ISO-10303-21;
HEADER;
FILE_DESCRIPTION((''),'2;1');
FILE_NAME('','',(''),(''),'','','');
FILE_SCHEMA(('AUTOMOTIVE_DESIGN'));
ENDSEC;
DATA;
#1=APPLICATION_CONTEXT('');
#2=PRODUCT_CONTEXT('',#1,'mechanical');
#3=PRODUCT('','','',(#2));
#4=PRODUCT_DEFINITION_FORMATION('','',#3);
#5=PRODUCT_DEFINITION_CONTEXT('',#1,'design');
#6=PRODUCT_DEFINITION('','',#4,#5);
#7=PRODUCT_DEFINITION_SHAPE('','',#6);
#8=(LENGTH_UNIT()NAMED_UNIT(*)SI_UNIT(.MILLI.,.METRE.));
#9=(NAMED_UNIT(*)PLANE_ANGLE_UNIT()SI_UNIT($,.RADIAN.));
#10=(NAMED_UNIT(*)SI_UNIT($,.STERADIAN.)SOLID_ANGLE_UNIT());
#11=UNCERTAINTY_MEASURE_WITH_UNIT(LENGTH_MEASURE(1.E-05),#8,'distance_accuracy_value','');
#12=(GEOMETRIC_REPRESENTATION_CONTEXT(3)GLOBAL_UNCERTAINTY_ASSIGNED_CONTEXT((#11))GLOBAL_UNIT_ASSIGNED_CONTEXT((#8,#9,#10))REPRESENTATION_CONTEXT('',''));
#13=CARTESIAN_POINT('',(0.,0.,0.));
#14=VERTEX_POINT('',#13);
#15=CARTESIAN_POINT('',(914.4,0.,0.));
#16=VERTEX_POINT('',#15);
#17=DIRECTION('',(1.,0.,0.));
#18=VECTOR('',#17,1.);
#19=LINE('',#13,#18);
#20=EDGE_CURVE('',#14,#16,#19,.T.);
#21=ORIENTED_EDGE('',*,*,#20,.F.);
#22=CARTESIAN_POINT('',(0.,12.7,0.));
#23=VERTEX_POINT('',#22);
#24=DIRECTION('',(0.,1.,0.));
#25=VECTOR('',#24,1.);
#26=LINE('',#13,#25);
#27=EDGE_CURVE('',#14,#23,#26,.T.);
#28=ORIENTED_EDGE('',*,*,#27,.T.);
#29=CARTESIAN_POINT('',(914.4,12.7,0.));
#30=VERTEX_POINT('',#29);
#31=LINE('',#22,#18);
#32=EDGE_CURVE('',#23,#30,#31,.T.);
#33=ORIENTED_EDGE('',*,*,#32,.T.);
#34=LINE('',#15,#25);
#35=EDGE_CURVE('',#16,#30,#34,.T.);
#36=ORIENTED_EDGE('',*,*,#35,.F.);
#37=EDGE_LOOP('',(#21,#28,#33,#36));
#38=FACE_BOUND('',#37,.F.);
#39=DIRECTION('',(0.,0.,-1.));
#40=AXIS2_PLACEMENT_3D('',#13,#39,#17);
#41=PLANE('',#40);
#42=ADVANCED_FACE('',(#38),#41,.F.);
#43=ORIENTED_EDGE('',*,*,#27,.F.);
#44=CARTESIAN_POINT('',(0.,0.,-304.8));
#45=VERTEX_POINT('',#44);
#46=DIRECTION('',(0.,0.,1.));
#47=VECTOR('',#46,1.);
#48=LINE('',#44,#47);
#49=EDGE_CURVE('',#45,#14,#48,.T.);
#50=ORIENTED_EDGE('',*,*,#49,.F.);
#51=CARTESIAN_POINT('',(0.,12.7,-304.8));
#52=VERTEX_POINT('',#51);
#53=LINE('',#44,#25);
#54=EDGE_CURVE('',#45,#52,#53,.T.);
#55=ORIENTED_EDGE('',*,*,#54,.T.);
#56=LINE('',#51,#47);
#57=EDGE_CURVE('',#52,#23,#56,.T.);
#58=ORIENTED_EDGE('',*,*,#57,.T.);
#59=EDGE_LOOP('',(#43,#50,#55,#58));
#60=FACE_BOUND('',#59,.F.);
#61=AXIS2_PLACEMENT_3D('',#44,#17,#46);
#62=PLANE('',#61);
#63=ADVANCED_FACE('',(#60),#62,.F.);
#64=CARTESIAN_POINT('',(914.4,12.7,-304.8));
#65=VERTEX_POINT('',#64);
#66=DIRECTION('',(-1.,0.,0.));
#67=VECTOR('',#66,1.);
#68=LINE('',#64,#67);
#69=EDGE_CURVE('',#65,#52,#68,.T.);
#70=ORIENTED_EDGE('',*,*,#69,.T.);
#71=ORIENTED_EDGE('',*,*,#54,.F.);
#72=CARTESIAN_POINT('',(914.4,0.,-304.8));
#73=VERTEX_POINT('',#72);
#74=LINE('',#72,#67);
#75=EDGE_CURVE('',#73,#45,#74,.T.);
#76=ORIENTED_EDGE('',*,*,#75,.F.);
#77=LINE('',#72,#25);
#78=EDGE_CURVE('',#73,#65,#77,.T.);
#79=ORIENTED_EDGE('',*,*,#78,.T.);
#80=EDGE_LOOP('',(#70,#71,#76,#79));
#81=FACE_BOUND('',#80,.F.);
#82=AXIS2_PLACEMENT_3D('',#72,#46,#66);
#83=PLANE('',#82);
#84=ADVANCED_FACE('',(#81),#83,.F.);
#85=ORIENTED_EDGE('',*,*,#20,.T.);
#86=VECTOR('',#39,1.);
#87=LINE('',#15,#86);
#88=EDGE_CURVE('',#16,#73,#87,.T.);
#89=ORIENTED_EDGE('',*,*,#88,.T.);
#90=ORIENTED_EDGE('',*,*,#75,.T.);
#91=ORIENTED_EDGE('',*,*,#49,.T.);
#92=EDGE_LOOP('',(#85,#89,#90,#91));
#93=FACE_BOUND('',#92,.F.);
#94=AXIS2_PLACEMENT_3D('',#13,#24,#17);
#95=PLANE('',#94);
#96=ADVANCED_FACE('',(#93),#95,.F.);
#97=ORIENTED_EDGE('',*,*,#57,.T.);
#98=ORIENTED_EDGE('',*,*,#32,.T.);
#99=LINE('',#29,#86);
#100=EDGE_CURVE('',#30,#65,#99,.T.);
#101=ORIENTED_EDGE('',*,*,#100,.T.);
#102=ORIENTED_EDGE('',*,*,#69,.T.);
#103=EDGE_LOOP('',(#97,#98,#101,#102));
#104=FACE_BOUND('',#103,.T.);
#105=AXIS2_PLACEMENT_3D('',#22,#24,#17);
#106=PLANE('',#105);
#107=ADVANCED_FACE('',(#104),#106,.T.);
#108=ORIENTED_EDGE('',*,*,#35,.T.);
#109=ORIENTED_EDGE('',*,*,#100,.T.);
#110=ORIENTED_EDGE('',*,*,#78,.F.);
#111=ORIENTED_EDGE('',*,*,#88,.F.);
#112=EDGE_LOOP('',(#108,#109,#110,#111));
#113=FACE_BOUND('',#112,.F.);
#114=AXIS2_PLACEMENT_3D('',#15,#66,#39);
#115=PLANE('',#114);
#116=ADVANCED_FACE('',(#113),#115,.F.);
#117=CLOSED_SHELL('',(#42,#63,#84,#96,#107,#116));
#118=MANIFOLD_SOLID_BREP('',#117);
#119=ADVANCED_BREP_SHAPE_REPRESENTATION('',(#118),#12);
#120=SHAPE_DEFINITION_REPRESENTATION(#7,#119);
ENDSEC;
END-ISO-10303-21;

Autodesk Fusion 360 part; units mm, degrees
sketch "Sketch1" plane through (0, 0, 0) normal (0, 1, 0) x (1, 0, 0)
  line L0 (0, 0) -> (914.4, 0)
  line L1 (914.4, 0) -> (914.4, 304.8)
  line L2 (914.4, 304.8) -> (0, 304.8)
  line L3 (0, 304.8) -> (0, 0)
  dimension "d1" = 914.4
  dimension "d2" = 304.8
extrude "Extrude1" add sketch "Sketch1" along normal blind 12.7
